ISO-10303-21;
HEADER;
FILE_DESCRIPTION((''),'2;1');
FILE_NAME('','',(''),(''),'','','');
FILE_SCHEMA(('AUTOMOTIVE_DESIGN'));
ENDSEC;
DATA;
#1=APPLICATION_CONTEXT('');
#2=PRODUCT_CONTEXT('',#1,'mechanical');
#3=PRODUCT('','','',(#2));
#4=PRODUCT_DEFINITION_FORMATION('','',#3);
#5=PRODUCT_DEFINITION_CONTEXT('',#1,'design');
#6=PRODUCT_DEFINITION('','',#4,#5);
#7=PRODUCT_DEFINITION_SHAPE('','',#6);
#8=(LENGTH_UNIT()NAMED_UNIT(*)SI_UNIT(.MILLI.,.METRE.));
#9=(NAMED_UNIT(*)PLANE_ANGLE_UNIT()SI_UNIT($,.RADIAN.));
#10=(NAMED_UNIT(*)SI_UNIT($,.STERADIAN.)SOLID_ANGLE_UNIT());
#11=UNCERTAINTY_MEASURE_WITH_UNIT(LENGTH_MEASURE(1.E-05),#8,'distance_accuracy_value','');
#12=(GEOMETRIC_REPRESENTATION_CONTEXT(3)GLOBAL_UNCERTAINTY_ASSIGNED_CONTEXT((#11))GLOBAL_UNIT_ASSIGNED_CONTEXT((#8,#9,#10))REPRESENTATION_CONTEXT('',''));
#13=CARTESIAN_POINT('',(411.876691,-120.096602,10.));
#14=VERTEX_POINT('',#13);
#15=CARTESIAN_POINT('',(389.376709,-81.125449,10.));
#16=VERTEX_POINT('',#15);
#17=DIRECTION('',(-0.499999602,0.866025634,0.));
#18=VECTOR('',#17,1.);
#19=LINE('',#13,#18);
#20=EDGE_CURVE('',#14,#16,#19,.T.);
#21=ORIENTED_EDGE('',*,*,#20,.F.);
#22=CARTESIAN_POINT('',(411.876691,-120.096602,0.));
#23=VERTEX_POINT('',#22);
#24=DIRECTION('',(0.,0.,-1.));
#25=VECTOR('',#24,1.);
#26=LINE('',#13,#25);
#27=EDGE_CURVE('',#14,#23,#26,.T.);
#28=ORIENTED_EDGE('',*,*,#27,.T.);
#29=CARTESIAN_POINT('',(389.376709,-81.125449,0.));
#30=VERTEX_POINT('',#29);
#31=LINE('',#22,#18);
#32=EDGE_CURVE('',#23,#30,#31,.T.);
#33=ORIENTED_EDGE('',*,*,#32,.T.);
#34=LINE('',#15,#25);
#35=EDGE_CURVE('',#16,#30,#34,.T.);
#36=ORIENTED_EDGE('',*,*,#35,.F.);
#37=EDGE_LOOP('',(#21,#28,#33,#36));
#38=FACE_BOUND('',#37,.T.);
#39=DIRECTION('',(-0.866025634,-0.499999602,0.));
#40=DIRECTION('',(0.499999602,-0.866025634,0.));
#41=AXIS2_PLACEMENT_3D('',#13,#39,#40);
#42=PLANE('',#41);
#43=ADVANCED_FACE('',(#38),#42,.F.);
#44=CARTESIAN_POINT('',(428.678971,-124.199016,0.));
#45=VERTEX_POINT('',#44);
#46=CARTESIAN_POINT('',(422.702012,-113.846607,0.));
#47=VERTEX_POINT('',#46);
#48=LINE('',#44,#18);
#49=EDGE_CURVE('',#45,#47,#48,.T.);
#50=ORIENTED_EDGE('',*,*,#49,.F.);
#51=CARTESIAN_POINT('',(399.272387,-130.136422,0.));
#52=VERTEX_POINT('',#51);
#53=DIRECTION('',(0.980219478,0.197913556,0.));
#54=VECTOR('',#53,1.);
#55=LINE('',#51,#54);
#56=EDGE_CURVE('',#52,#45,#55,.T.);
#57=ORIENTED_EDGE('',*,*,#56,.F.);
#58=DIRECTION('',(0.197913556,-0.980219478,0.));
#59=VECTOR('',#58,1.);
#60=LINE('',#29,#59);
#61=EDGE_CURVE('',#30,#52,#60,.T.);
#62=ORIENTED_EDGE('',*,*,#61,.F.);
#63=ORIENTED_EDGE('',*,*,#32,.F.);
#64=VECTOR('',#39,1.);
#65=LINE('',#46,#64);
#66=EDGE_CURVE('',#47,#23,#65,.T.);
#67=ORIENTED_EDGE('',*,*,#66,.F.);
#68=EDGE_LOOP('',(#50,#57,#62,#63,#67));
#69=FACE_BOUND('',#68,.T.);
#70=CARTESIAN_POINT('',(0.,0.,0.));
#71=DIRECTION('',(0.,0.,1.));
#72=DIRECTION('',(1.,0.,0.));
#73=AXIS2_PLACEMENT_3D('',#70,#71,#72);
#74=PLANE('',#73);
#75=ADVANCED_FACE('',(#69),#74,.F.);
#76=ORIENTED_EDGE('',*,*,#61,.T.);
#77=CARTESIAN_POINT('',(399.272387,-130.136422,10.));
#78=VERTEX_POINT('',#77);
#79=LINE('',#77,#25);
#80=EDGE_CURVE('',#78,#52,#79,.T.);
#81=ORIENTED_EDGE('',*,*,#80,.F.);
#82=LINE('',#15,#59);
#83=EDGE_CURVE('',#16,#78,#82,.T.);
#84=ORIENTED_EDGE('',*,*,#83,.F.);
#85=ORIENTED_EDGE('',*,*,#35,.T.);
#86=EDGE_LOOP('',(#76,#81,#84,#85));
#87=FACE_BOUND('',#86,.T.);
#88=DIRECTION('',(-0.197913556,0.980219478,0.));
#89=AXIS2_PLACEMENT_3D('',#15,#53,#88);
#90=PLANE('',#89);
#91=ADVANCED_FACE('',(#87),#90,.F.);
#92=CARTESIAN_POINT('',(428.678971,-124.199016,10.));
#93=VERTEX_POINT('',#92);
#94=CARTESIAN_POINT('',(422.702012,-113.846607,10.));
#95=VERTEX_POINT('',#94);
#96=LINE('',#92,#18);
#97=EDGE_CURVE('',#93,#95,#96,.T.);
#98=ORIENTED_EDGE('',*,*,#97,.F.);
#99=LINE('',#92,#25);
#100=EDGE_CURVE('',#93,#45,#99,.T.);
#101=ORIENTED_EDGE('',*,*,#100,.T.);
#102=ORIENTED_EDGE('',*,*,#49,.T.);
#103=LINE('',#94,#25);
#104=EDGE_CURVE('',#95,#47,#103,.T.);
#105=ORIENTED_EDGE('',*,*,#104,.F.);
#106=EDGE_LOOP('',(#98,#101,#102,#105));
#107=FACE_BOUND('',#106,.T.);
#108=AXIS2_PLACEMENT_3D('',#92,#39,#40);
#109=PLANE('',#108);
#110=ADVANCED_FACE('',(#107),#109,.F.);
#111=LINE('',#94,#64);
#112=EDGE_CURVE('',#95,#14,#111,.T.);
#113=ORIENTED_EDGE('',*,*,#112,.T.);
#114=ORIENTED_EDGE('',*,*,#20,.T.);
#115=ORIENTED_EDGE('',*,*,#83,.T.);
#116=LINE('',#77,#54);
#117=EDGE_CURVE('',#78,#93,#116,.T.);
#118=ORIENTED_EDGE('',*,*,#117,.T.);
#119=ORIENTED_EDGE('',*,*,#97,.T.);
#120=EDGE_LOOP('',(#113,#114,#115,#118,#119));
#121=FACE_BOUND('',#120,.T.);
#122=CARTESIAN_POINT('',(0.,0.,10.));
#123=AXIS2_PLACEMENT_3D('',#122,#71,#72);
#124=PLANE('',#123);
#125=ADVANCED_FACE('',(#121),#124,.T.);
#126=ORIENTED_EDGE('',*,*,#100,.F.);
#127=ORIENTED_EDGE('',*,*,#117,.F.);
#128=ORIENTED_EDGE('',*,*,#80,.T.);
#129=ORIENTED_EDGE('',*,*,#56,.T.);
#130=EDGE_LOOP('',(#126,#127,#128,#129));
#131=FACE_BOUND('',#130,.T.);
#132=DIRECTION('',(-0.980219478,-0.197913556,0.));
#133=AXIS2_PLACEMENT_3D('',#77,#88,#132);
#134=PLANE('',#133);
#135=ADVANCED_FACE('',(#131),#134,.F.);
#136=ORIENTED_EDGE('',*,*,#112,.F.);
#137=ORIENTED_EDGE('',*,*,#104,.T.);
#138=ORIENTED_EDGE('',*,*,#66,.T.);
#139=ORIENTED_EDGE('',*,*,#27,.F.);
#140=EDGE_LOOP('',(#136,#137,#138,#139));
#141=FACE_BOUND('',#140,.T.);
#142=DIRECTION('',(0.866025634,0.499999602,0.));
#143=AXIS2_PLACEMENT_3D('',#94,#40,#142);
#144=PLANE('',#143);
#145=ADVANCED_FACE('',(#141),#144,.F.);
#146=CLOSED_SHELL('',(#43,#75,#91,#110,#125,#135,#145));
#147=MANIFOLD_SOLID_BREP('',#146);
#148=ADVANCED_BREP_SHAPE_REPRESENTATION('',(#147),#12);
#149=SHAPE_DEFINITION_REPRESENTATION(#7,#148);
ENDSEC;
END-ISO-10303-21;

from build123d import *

# Parameters (mm, degrees)
BOSS_EXTRU_1_DEPTH = 10


with BuildPart() as part:
    # Model → Boss.-Extru.1 (new body)
    with BuildSketch(Plane.XY):
        Polygon((422.702011512, -113.846607074), (411.876691089, -120.096602094), (389.376709015, -81.125448575), (399.272386792, -130.136422461), (428.678971124, -124.199015795), align=None)
    extrude(amount=BOSS_EXTRU_1_DEPTH)


solid = part.part
